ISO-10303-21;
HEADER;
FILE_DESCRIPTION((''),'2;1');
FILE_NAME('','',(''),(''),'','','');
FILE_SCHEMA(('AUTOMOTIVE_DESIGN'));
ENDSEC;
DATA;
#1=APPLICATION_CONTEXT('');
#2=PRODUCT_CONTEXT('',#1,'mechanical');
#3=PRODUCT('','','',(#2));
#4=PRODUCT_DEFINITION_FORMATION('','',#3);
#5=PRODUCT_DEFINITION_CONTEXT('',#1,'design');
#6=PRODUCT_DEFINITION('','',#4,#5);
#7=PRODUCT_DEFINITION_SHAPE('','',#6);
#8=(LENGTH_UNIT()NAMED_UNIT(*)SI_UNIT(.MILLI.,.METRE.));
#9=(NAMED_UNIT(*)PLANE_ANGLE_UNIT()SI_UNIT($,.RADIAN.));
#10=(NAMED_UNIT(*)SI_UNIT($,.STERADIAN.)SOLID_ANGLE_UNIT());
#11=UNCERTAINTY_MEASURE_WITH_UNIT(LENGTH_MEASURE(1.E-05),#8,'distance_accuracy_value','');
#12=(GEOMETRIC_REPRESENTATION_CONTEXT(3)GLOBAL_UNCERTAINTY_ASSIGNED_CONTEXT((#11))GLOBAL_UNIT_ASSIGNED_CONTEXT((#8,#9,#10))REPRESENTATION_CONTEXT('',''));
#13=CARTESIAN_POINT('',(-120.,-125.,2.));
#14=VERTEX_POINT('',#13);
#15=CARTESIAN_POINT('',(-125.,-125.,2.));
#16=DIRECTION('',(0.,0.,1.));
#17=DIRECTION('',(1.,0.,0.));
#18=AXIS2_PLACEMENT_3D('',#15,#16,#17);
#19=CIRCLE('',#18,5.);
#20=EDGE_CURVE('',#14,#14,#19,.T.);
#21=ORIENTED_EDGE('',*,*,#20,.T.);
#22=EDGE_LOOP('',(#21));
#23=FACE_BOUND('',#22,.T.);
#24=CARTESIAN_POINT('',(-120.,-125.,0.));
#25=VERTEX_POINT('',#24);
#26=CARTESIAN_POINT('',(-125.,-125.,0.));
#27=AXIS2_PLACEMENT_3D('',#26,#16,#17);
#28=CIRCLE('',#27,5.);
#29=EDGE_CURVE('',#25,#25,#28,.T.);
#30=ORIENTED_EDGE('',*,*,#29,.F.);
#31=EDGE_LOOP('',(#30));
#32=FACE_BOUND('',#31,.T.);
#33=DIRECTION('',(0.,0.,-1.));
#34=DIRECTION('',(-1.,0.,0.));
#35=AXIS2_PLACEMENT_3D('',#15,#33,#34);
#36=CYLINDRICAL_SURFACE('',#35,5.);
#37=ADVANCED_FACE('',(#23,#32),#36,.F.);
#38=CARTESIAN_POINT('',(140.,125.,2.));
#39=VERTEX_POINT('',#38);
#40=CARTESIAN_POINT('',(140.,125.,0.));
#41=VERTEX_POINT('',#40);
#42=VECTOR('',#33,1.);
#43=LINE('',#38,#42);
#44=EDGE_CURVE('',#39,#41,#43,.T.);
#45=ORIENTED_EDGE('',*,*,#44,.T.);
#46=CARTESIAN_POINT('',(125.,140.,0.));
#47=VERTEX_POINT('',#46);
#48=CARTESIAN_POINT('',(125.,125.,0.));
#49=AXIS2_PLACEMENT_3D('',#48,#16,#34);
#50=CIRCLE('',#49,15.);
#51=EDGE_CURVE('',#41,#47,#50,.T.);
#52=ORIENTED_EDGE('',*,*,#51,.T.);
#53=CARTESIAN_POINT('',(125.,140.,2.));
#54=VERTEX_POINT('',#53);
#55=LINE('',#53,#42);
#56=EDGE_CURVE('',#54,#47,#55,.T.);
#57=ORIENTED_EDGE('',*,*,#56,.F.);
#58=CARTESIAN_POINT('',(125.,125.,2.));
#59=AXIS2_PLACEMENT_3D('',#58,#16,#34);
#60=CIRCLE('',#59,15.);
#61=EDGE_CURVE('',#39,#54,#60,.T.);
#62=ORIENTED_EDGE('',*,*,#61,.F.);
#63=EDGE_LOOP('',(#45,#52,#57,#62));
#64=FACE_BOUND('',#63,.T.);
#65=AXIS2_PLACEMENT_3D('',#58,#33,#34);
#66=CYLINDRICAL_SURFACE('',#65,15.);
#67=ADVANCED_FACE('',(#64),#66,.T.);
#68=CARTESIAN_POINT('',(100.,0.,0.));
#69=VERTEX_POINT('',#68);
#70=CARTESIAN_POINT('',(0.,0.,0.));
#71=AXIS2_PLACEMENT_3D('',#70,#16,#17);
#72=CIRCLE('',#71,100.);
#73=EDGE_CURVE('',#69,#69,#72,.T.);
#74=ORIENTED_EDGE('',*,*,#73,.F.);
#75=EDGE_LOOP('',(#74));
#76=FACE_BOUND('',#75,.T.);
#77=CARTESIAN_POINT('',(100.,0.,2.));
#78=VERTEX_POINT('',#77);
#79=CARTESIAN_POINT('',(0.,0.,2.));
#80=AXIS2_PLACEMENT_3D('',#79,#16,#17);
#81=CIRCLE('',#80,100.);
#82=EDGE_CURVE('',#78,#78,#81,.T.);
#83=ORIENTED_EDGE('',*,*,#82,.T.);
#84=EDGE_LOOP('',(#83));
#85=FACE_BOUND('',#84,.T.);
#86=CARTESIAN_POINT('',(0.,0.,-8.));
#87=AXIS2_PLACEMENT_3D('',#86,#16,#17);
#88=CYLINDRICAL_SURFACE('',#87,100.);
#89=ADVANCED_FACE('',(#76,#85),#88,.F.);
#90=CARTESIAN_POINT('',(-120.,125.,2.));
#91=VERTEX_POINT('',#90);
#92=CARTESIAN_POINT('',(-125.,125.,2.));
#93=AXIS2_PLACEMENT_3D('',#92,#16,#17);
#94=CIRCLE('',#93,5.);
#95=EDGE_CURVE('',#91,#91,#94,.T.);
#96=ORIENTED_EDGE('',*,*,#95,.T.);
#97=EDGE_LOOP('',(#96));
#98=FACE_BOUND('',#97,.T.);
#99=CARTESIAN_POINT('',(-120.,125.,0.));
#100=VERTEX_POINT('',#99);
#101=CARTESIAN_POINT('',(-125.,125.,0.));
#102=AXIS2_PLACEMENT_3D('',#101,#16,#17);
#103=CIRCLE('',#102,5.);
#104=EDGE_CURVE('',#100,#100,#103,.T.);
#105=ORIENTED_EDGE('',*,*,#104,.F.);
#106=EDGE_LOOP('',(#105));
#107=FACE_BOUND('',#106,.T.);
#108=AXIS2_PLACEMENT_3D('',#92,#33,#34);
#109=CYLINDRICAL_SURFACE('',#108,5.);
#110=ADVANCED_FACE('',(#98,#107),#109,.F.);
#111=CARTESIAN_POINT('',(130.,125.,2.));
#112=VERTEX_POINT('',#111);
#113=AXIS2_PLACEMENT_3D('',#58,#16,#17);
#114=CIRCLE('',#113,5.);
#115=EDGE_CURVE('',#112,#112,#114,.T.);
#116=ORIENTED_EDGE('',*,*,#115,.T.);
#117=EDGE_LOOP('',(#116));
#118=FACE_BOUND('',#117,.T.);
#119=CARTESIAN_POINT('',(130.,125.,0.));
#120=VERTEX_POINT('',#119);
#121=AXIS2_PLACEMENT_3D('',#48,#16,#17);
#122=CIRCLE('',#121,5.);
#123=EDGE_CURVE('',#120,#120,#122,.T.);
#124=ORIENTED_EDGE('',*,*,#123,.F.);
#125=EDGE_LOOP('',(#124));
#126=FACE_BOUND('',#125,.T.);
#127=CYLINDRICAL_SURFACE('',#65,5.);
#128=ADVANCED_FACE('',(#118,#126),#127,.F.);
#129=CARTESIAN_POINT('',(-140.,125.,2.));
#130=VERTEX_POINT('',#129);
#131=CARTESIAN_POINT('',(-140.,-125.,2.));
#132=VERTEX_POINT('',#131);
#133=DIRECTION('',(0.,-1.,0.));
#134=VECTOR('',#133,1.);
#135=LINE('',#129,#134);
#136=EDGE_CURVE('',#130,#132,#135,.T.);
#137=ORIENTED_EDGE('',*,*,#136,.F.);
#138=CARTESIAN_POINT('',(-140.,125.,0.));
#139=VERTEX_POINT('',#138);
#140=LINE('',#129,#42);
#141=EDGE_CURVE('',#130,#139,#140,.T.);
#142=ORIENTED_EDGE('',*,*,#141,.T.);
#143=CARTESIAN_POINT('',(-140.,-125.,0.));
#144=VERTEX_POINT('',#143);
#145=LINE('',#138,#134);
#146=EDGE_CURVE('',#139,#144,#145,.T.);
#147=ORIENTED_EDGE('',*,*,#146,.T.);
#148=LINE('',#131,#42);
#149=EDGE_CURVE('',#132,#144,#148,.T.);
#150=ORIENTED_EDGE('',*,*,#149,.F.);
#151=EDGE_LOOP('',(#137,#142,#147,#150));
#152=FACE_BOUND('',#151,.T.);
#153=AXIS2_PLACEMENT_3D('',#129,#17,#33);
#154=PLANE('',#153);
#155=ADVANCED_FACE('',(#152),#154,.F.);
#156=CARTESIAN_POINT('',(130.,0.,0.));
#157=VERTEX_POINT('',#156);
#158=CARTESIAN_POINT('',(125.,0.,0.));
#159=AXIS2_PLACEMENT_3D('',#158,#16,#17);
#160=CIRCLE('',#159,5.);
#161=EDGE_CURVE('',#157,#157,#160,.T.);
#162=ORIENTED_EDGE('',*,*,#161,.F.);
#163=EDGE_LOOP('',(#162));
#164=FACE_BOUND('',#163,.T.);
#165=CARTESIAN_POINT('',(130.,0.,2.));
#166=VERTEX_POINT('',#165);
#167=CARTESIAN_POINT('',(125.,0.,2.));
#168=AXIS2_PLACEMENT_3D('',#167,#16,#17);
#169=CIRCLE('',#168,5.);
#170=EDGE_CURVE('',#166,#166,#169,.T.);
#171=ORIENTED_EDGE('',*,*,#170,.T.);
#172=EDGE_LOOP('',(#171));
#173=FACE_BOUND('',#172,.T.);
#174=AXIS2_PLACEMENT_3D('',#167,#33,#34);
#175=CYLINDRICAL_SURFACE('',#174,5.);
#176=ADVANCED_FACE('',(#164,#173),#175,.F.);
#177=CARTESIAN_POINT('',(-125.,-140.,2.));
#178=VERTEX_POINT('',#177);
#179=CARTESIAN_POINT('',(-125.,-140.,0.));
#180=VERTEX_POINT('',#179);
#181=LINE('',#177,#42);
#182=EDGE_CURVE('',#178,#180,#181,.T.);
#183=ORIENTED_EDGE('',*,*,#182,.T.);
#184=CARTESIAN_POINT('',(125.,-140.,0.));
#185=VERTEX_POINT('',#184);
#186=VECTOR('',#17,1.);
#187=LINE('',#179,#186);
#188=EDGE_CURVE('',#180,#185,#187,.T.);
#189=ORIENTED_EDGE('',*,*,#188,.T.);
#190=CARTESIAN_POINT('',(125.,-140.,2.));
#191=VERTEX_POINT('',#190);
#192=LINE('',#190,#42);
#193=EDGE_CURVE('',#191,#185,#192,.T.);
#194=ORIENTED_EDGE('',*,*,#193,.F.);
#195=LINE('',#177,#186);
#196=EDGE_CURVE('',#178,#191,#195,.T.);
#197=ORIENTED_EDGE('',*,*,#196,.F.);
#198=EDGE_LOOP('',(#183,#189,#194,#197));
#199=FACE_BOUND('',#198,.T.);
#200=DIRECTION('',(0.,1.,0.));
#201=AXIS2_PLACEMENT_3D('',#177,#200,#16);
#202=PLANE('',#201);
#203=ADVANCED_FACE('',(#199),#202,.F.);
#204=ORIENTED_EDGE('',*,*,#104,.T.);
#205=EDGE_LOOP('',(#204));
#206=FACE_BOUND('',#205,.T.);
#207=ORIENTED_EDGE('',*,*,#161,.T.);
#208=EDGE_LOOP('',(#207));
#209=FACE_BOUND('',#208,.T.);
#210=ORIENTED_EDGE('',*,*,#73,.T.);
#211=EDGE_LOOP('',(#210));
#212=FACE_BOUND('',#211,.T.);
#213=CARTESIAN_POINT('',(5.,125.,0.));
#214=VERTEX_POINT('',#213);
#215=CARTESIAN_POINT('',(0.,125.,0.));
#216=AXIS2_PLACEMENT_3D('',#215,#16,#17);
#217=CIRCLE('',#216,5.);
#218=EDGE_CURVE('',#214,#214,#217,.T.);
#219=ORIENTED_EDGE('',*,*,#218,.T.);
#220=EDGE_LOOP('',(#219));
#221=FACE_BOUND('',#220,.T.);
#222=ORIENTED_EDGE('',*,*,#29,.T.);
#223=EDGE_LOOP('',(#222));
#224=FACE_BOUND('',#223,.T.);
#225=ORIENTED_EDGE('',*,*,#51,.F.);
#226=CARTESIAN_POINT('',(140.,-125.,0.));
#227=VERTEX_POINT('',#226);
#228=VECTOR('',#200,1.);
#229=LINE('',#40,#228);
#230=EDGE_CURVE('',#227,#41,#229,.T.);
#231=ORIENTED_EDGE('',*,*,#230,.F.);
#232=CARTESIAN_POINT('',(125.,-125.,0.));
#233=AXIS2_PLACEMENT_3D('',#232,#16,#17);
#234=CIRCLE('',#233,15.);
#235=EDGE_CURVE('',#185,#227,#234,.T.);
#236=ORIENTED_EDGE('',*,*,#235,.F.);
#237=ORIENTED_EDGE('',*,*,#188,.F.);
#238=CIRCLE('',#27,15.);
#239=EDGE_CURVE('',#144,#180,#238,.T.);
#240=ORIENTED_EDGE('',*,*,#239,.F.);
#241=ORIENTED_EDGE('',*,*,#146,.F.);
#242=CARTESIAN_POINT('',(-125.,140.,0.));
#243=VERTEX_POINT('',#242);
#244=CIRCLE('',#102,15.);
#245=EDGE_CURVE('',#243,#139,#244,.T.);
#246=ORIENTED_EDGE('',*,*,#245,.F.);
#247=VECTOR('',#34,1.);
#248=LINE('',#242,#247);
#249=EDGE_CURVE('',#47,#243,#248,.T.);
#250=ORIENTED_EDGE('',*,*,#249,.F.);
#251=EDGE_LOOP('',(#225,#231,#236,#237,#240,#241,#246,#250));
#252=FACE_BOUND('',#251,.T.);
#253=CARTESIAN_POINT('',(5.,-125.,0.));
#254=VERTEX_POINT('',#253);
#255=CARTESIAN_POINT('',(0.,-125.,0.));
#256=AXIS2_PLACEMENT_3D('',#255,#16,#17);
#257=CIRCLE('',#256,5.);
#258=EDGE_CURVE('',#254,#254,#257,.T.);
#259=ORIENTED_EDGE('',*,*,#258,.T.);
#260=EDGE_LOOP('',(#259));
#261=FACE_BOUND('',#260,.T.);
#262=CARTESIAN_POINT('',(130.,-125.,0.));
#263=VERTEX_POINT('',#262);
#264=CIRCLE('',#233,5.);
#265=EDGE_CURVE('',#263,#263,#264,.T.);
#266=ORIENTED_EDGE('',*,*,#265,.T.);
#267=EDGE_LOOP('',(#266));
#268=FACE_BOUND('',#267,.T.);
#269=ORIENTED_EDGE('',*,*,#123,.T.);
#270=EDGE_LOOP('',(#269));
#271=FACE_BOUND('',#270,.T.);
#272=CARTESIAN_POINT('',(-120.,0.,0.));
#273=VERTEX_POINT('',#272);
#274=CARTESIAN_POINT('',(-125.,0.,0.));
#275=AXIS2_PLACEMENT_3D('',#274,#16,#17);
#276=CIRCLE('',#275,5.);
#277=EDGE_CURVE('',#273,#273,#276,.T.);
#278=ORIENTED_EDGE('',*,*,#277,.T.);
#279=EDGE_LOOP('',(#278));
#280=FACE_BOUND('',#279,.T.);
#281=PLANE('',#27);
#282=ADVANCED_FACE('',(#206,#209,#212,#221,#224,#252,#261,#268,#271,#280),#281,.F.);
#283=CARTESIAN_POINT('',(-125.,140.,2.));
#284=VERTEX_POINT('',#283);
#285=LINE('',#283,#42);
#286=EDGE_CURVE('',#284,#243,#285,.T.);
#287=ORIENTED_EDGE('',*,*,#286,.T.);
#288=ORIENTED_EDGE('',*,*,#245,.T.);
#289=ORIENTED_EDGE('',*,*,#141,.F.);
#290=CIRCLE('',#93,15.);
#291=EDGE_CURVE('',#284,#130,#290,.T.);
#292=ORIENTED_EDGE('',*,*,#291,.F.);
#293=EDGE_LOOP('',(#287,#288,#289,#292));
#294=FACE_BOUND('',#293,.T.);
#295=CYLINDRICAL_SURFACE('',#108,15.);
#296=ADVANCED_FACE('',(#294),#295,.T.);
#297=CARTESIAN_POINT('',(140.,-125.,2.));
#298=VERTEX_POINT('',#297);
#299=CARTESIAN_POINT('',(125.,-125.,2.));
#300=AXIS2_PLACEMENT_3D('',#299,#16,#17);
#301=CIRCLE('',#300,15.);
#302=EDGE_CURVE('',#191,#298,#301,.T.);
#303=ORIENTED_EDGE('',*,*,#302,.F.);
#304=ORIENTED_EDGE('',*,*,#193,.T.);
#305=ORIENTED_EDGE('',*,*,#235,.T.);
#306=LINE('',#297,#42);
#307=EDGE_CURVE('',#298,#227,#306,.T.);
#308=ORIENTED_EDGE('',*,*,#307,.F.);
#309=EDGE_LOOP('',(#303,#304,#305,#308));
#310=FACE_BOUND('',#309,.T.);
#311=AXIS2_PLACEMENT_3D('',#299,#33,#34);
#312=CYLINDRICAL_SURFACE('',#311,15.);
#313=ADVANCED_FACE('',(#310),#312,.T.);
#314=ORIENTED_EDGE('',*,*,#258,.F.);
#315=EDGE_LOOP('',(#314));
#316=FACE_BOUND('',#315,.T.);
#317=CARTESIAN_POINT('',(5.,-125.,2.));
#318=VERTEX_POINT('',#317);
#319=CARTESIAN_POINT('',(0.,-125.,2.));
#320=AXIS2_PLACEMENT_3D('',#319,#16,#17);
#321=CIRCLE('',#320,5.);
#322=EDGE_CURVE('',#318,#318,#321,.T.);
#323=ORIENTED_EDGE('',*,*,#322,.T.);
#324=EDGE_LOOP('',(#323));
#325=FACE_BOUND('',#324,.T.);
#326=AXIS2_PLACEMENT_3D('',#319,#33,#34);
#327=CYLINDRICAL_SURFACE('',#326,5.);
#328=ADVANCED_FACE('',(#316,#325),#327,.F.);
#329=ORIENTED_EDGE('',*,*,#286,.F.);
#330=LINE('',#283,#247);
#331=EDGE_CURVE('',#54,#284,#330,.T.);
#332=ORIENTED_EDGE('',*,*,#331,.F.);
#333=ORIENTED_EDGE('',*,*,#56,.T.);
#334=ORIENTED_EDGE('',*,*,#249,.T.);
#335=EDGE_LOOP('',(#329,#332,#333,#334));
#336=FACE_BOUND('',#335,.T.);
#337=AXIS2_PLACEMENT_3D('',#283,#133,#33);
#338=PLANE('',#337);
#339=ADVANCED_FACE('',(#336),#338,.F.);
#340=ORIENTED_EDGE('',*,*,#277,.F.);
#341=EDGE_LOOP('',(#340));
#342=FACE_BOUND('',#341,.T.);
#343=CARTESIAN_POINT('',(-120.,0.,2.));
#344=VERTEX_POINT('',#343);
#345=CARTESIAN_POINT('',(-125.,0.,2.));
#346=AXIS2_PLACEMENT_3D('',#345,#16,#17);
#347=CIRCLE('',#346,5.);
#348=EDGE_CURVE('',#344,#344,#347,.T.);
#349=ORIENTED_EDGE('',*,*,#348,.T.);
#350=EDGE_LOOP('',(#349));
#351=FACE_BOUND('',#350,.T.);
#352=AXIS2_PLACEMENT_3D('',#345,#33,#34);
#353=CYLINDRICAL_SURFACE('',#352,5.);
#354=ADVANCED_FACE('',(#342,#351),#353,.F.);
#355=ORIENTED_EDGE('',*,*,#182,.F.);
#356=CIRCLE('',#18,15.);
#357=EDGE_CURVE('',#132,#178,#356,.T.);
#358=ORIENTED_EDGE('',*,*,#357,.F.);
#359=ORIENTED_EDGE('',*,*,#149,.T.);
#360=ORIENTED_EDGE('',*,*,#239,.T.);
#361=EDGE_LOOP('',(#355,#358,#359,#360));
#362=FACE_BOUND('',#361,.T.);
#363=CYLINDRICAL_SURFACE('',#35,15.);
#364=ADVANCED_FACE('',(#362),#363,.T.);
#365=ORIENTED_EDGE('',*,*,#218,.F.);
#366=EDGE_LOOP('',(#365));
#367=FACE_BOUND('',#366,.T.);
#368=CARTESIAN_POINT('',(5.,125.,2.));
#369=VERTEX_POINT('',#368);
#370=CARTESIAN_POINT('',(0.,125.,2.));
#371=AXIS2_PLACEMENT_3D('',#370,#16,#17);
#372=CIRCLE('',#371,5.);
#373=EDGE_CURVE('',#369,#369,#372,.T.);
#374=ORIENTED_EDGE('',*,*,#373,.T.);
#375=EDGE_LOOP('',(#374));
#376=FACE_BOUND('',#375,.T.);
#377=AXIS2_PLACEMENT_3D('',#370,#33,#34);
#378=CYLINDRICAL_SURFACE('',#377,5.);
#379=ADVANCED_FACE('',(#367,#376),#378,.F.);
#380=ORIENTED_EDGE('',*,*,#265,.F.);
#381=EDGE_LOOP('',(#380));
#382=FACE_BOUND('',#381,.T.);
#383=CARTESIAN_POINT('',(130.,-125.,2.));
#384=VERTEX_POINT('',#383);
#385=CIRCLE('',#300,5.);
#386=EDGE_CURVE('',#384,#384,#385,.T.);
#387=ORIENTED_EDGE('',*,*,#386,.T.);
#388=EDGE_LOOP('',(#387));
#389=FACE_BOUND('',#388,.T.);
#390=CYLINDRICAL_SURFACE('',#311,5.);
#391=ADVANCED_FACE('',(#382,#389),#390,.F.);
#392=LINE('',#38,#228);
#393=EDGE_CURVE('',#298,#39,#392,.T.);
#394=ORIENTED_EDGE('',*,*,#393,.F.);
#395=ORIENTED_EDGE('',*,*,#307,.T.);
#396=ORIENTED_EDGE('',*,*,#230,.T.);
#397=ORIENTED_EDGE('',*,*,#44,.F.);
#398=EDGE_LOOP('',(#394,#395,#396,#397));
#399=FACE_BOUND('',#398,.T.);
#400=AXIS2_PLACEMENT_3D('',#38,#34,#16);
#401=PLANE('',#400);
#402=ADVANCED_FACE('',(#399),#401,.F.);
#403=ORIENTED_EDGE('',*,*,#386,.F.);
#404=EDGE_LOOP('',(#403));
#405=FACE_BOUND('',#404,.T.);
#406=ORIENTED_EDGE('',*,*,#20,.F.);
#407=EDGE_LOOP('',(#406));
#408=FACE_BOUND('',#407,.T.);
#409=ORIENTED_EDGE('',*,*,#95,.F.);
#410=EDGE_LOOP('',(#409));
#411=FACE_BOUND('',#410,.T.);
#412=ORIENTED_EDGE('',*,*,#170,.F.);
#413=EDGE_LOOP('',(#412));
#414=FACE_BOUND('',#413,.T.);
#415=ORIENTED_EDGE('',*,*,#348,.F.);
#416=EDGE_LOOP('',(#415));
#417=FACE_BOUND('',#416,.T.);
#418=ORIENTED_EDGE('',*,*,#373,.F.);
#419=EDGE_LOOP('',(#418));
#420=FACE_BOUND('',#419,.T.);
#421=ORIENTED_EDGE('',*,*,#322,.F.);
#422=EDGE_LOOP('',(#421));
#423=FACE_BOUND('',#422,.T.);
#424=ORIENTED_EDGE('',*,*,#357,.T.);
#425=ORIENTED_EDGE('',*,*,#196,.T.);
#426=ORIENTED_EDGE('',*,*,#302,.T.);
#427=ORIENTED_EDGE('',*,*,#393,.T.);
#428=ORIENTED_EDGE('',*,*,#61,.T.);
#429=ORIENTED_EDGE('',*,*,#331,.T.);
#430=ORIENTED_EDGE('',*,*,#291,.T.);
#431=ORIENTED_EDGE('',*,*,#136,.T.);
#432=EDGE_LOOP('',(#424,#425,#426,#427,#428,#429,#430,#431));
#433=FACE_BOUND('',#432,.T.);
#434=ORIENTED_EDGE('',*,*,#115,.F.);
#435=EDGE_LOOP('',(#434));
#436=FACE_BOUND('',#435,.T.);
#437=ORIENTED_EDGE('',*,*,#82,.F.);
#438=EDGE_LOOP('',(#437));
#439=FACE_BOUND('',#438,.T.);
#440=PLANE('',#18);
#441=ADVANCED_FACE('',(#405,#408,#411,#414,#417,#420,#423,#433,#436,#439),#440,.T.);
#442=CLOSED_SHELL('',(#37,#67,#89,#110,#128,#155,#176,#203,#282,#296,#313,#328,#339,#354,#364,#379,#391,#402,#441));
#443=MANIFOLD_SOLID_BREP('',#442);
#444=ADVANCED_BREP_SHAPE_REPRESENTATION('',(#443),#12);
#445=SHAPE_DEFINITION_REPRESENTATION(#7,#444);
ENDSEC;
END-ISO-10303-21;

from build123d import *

# Parameters (mm, degrees)
SKETCH2_R           = 5
SKETCH2_R_2         = 4
BOSS_EXTRUDE1_DEPTH = 2
SKETCH7_R           = 100
CUT_EXTRUDE2_DEPTH  = 10


with BuildPart() as part:
    # Sketch2 → Boss-Extrude1 (new body)
    with BuildSketch(Plane.XY):
        with BuildLine():
            Line((-125, 140), (125, 140))
            ThreePointArc((125, 140), (135.606601718, 135.606601718), (140, 125))
            Line((140, 125), (140, -125))
            ThreePointArc((140, -125), (135.606601718, -135.606601718), (125, -140))
            Line((125, -140), (-125, -140))
            ThreePointArc((-125, -140), (-135.606601718, -135.606601718), (-140, -125))
            Line((-140, -125), (-140, 125))
            ThreePointArc((-140, 125), (-135.606601718, 135.606601718), (-125, 140))
        make_face()
        with Locations((-125, 125)):
            Circle(SKETCH2_R, mode=Mode.SUBTRACT)
        with Locations((0, 125)):
            Circle(SKETCH2_R, mode=Mode.SUBTRACT)
        with Locations((125, 125)):
            Circle(SKETCH2_R, mode=Mode.SUBTRACT)
        Circle(SKETCH2_R_2, mode=Mode.SUBTRACT)
        with Locations((125, 0)):
            Circle(SKETCH2_R, mode=Mode.SUBTRACT)
        with Locations((-125, 0)):
            Circle(SKETCH2_R, mode=Mode.SUBTRACT)
        with Locations((-125, -125)):
            Circle(SKETCH2_R, mode=Mode.SUBTRACT)
        with Locations((0, -125)):
            Circle(SKETCH2_R, mode=Mode.SUBTRACT)
        with Locations((125, -125)):
            Circle(SKETCH2_R, mode=Mode.SUBTRACT)
    extrude(amount=BOSS_EXTRUDE1_DEPTH)

    # Sketch7 → Cut-Extrude2 (cut)
    with BuildSketch(Plane.XY.offset(2)):
        Circle(SKETCH7_R)
    extrude(amount=-CUT_EXTRUDE2_DEPTH, mode=Mode.SUBTRACT)


solid = part.part
